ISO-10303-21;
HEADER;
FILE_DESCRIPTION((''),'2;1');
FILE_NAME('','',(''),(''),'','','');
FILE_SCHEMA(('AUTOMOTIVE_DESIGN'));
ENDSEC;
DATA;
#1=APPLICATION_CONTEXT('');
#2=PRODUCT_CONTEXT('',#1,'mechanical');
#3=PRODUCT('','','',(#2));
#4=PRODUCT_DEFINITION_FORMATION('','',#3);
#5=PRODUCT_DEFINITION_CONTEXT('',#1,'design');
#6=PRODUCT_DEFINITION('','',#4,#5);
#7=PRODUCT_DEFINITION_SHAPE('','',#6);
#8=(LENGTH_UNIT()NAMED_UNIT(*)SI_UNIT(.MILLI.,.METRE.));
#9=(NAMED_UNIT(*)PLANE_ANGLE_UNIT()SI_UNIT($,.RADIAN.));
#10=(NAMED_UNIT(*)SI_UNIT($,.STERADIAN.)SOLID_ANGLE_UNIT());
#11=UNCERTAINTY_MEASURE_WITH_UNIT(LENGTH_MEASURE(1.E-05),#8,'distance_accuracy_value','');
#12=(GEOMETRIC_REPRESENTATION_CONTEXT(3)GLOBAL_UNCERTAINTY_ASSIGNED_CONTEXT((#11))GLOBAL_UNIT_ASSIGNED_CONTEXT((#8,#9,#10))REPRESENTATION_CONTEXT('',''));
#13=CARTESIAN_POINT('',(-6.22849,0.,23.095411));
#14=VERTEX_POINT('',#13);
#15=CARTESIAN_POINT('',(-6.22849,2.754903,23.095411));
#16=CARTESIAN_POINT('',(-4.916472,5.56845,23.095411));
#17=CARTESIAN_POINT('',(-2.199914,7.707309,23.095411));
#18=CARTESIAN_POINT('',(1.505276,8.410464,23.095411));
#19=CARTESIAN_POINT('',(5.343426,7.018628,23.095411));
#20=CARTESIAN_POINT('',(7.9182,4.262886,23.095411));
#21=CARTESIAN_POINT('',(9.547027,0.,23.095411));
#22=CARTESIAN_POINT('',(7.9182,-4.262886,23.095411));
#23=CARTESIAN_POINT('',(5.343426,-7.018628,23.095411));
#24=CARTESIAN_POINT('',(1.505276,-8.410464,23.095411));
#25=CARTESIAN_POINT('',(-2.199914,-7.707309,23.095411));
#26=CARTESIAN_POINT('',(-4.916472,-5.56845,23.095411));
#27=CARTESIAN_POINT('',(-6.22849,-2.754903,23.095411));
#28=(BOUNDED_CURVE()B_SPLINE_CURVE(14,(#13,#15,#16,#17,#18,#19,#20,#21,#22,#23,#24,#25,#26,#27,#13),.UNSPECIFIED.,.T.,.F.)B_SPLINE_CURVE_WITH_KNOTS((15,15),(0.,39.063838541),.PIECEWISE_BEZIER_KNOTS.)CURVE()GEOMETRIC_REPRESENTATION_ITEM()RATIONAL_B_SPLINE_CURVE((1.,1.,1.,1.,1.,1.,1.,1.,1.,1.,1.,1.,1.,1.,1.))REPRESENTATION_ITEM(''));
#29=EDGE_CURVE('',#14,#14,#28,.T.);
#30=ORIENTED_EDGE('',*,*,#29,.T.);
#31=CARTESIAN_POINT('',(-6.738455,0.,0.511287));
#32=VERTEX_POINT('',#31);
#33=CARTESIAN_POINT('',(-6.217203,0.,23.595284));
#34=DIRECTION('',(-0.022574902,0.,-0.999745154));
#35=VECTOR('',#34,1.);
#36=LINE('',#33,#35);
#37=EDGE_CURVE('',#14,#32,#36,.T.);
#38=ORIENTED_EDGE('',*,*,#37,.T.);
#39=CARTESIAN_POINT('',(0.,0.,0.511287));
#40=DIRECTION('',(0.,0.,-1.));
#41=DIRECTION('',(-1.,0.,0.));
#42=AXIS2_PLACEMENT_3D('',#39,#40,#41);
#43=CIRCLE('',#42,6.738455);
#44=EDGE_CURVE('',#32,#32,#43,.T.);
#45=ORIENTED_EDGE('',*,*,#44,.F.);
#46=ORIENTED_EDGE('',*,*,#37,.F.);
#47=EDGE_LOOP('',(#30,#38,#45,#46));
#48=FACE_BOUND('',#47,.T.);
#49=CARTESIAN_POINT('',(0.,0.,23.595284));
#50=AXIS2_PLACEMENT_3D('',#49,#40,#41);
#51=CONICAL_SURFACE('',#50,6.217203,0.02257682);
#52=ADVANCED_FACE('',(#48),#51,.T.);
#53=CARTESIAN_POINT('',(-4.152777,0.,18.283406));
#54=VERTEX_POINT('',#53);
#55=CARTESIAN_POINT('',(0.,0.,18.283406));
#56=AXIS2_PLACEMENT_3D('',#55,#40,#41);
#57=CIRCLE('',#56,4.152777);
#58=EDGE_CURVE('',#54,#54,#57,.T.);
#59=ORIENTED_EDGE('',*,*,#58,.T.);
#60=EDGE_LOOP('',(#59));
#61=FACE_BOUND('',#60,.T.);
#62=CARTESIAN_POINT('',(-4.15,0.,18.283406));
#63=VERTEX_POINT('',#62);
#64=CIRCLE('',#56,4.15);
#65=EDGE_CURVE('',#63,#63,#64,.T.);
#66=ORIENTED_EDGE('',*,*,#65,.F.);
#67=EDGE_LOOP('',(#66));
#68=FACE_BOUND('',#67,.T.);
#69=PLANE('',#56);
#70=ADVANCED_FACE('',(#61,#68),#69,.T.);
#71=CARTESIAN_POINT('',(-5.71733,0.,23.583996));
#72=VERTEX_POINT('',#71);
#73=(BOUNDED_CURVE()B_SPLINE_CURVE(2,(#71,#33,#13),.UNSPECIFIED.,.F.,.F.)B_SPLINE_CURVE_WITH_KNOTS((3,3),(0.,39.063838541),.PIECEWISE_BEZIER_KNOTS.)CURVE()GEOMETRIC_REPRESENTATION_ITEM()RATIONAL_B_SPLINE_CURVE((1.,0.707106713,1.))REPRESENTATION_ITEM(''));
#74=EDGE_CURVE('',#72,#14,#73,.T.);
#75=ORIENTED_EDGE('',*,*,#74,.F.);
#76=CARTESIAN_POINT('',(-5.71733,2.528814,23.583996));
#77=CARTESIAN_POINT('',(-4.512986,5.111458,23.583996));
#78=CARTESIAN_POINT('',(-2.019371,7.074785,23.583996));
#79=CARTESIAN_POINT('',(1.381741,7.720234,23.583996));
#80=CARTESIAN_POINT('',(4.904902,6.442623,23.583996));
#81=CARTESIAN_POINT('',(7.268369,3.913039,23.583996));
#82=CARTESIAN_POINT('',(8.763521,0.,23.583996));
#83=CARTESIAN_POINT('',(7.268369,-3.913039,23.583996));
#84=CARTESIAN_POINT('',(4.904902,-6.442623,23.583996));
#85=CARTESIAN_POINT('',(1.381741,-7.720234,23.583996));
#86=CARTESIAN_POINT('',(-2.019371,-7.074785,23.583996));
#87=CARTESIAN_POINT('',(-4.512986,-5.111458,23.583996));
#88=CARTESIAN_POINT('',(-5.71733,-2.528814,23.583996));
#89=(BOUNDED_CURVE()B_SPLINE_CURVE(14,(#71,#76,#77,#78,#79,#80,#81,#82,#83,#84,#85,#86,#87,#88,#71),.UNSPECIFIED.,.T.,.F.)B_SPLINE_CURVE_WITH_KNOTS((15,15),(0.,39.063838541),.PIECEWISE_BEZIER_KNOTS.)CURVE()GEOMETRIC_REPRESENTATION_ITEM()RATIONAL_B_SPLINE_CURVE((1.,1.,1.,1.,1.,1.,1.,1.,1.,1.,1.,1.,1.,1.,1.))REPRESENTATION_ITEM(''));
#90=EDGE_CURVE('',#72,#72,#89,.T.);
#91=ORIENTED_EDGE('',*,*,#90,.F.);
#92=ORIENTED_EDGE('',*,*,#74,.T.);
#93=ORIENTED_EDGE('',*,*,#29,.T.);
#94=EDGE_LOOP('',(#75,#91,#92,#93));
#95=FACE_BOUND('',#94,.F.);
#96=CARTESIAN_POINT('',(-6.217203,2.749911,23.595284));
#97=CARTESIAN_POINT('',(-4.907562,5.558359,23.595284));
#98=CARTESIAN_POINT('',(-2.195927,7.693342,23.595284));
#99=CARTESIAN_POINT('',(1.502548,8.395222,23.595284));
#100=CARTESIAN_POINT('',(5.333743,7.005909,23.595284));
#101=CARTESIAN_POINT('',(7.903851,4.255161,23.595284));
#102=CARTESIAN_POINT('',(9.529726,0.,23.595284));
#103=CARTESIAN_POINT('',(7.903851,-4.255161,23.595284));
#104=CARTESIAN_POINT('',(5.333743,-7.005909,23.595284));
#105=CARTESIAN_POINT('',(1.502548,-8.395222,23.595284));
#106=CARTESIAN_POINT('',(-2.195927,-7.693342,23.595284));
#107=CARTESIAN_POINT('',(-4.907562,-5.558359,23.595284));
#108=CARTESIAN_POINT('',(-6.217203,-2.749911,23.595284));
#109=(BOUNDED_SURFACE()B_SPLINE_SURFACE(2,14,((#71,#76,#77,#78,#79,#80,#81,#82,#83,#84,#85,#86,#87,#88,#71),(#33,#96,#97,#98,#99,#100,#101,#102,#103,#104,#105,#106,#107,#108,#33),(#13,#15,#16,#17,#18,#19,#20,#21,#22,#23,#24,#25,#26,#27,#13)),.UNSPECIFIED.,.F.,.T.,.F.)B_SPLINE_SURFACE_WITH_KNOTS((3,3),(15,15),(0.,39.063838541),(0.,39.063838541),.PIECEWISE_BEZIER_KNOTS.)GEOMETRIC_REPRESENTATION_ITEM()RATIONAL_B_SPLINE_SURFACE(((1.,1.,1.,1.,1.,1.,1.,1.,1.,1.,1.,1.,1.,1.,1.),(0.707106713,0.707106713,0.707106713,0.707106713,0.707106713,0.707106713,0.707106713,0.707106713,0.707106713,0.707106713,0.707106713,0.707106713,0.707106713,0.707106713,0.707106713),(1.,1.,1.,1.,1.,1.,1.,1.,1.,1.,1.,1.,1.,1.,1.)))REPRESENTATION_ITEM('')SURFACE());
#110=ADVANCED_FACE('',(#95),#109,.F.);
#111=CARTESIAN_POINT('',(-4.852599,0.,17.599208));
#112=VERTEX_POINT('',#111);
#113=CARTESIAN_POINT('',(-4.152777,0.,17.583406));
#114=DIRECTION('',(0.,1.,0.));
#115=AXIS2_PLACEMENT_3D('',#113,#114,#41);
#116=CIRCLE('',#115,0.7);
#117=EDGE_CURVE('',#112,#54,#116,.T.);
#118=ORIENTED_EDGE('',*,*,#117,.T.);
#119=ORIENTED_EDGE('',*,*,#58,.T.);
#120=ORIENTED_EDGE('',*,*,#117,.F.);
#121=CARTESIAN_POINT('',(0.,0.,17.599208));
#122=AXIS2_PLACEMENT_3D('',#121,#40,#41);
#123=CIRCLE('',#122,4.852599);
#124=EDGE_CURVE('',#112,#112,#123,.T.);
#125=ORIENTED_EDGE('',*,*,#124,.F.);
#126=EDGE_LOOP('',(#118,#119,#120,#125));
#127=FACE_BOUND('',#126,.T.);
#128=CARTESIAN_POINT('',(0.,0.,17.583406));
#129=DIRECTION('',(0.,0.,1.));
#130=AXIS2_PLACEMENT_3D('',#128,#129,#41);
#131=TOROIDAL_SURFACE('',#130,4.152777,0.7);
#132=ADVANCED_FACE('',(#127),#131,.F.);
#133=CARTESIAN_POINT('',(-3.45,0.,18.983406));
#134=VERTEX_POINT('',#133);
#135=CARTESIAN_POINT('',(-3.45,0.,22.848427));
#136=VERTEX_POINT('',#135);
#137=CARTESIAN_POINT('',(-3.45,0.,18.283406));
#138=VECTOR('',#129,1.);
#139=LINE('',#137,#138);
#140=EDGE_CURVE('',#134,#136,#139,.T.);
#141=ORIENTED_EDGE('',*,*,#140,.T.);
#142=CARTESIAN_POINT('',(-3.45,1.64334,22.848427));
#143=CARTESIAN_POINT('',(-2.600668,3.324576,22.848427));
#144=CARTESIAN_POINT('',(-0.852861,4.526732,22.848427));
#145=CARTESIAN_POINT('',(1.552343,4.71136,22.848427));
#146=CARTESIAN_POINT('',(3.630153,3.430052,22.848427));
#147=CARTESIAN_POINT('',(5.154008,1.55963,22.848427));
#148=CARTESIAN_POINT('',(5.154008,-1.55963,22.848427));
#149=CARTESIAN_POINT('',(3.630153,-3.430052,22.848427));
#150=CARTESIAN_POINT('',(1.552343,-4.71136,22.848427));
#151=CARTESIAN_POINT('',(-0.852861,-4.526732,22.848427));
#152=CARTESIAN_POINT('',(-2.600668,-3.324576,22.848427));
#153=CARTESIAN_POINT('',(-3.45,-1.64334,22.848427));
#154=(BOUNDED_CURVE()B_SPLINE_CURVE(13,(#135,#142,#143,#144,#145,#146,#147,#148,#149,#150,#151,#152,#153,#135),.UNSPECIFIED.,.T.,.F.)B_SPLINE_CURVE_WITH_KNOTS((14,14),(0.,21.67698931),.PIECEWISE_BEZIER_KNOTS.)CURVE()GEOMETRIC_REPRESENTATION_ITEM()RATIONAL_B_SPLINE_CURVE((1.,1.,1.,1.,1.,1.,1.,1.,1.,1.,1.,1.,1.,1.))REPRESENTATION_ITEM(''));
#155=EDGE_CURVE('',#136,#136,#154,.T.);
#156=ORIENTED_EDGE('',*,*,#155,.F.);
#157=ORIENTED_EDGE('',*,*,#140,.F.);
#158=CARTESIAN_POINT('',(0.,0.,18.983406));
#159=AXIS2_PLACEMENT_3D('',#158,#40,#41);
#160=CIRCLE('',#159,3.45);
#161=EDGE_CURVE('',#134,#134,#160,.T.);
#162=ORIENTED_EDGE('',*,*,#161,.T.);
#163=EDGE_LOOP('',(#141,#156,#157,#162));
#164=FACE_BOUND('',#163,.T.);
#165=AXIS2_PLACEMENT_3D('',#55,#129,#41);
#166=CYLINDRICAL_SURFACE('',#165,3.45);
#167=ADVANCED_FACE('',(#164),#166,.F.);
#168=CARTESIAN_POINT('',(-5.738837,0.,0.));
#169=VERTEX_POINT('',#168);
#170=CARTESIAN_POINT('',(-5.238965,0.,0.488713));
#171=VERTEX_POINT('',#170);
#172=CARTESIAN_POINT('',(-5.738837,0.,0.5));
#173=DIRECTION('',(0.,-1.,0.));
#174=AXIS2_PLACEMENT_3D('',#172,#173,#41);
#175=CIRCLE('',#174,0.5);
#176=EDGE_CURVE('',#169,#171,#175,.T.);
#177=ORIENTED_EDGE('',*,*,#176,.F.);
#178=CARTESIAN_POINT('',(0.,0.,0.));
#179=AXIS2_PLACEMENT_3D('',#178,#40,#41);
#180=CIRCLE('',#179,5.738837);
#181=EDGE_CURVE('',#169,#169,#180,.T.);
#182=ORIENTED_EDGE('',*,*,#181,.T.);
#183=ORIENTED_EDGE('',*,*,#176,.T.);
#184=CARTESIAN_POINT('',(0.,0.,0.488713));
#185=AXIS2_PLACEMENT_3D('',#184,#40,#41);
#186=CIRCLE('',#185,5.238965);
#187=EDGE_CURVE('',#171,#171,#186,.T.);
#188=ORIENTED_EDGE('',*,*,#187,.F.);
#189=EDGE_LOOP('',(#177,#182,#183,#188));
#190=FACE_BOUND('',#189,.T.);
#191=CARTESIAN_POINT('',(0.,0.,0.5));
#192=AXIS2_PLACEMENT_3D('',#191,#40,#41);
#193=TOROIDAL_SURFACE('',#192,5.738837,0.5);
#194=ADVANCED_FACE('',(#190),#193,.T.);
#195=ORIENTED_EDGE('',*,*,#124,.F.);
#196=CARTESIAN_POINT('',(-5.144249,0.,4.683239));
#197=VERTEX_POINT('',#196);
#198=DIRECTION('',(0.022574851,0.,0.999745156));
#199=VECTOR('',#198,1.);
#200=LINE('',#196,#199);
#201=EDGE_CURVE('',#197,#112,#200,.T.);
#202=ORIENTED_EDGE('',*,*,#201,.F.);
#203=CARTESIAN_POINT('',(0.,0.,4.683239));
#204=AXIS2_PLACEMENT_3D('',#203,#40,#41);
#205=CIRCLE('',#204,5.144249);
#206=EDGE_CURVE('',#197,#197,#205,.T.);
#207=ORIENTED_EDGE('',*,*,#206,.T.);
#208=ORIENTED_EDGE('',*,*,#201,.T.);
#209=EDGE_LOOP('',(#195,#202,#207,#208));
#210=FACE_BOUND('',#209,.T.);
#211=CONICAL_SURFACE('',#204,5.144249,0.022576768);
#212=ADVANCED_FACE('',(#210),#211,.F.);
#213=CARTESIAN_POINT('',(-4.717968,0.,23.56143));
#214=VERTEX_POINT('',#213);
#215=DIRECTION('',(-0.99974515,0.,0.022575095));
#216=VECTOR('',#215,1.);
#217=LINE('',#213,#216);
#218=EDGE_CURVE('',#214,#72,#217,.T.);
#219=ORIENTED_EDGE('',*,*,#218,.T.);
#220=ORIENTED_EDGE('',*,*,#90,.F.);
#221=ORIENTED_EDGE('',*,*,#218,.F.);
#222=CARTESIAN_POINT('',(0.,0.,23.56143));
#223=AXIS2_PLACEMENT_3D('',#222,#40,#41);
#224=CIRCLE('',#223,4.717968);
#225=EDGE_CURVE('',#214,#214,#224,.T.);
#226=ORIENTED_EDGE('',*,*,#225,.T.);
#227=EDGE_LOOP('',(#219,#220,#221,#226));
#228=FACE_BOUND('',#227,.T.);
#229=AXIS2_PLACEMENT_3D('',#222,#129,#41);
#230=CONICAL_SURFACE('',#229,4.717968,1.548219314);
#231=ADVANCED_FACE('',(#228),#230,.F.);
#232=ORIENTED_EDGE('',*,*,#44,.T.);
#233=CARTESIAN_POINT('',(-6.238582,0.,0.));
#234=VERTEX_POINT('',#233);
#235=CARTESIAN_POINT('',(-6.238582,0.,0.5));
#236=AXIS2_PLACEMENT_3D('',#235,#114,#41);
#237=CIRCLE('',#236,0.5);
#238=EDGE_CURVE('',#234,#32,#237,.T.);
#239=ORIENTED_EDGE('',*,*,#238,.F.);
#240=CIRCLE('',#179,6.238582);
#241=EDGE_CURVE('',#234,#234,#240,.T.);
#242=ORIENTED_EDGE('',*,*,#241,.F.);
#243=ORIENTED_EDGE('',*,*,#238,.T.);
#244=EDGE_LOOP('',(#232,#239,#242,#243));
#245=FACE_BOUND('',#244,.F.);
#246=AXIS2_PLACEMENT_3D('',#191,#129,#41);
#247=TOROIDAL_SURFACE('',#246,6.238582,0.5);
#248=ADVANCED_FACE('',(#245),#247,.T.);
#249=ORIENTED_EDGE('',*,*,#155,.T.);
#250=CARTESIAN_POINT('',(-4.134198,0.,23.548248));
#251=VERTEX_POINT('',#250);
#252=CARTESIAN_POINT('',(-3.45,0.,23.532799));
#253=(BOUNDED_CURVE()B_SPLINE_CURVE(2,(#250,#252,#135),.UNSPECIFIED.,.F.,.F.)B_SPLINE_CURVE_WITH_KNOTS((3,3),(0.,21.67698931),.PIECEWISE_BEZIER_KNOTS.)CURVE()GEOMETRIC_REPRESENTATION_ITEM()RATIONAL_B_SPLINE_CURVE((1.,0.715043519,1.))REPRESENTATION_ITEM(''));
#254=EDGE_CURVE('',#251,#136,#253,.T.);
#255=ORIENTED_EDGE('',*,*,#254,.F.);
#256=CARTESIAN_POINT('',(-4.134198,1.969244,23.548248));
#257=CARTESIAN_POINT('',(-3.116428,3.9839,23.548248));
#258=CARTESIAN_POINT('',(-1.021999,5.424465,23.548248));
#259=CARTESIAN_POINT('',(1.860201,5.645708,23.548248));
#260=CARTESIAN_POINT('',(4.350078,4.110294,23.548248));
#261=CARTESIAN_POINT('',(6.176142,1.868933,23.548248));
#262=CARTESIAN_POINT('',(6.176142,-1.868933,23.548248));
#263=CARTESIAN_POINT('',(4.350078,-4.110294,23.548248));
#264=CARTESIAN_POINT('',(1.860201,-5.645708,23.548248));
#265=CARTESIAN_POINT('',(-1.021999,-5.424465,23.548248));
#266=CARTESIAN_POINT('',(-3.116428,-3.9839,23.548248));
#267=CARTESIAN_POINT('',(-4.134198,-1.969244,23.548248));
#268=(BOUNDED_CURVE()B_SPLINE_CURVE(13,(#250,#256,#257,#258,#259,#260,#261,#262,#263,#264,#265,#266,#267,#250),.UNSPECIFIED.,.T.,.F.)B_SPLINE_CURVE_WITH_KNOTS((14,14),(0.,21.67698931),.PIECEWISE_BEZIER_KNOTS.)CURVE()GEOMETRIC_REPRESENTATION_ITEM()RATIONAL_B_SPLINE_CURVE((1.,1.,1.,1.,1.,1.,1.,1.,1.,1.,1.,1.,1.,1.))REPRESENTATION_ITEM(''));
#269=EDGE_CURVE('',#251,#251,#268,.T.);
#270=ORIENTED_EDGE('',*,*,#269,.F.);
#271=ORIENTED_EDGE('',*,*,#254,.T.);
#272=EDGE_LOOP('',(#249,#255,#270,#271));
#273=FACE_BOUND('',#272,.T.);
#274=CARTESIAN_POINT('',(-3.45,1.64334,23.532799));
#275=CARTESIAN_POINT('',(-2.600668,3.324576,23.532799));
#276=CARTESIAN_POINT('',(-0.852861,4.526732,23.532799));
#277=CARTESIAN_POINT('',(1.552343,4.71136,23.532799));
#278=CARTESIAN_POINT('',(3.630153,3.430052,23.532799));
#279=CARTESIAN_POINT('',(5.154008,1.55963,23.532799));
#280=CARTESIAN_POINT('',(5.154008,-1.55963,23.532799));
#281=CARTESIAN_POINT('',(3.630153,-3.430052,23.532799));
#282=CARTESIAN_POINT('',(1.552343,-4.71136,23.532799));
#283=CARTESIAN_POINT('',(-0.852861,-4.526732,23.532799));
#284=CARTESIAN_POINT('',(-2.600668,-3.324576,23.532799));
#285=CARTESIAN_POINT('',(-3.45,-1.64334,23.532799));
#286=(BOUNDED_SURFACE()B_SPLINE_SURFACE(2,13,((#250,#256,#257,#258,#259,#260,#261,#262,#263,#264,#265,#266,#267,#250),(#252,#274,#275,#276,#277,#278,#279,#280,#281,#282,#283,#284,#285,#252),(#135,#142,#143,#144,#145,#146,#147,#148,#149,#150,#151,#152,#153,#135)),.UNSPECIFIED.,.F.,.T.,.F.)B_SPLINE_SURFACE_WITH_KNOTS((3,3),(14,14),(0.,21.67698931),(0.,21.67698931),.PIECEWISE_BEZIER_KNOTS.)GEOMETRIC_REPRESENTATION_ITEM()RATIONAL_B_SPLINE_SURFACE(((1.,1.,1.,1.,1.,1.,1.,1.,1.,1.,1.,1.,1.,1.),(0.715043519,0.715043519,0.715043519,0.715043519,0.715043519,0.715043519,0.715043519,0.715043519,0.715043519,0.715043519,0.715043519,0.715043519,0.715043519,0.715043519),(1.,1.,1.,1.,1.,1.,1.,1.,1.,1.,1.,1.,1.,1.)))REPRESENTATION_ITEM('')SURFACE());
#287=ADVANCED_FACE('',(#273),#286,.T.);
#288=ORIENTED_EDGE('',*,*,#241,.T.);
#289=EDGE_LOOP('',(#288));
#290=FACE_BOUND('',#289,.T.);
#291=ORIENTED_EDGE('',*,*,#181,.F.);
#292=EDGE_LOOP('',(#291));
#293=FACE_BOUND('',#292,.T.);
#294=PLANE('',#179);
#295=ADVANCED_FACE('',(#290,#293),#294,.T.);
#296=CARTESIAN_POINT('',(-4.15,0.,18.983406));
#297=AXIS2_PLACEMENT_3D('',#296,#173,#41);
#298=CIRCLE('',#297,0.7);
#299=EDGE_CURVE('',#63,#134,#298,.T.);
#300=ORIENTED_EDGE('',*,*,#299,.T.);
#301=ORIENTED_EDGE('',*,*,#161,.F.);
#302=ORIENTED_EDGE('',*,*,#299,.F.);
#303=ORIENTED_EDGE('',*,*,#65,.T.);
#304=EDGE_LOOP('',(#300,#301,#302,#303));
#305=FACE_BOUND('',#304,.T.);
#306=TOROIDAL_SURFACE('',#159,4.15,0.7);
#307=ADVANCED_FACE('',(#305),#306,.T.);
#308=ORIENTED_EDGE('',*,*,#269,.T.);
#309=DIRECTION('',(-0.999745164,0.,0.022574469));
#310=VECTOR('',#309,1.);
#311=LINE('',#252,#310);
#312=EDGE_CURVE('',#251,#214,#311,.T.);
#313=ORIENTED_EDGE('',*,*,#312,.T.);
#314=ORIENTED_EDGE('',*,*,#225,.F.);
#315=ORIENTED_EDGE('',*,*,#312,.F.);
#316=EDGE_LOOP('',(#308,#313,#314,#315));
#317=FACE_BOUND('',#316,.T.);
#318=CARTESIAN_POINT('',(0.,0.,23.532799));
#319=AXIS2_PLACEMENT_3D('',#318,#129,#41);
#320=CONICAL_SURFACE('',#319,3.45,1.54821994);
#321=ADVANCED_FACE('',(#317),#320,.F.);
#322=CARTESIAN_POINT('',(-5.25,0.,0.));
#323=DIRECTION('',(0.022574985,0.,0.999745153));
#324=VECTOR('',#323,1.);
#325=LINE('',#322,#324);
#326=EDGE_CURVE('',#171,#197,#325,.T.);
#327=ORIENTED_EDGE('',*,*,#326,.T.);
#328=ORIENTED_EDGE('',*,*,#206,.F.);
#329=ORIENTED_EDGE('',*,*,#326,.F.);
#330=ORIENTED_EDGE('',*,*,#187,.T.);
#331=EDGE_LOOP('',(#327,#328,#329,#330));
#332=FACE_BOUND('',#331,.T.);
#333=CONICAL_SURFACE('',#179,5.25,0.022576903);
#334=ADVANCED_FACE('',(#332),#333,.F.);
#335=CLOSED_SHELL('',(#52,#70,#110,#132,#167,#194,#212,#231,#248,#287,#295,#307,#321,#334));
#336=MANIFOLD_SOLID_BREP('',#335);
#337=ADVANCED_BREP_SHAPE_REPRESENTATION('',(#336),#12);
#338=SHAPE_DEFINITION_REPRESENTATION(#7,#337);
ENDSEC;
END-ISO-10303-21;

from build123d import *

# Parameters (mm, degrees)
F3_R = 0.5
F4_R = 0.7


with BuildPart() as f2:
    # F1 (on Front) → F2 (revolve)
    with BuildSketch(Plane.XZ):
        Polygon((-6.75, 0), (-5.25, 0), (-5.144249, 4.683239), (-4.837149, 18.283406), (-4.717968, 23.56143), (-6.217203, 23.595284), align=None)
        Polygon((-4.717968, 23.56143), (-4.837149, 18.283406), (-3.45, 18.283406), (-3.45, 23.532799), align=None)
    revolve(axis=Axis((0, 0, 1.148649), (0, 0, -1)))

    # F3
    f3_edges = [f2.edges().sort_by_distance(p)[0] for p in [
        (6.217203, 0, 23.595284),
        (6.75, 0, 0),
        (5.25, 0, 0),
    ]]
    fillet(f3_edges, radius=F3_R)

    # F4
    f4_edges = [f2.edges().sort_by_distance(p)[0] for p in [
        (3.45, 0, 18.283406),
        (3.45, 0, 23.532799),
        (-3.45, 0, 20.908103),
        (4.837149, 0, 18.283406),
    ]]
    fillet(f4_edges, radius=F4_R)


solid = f2.part
